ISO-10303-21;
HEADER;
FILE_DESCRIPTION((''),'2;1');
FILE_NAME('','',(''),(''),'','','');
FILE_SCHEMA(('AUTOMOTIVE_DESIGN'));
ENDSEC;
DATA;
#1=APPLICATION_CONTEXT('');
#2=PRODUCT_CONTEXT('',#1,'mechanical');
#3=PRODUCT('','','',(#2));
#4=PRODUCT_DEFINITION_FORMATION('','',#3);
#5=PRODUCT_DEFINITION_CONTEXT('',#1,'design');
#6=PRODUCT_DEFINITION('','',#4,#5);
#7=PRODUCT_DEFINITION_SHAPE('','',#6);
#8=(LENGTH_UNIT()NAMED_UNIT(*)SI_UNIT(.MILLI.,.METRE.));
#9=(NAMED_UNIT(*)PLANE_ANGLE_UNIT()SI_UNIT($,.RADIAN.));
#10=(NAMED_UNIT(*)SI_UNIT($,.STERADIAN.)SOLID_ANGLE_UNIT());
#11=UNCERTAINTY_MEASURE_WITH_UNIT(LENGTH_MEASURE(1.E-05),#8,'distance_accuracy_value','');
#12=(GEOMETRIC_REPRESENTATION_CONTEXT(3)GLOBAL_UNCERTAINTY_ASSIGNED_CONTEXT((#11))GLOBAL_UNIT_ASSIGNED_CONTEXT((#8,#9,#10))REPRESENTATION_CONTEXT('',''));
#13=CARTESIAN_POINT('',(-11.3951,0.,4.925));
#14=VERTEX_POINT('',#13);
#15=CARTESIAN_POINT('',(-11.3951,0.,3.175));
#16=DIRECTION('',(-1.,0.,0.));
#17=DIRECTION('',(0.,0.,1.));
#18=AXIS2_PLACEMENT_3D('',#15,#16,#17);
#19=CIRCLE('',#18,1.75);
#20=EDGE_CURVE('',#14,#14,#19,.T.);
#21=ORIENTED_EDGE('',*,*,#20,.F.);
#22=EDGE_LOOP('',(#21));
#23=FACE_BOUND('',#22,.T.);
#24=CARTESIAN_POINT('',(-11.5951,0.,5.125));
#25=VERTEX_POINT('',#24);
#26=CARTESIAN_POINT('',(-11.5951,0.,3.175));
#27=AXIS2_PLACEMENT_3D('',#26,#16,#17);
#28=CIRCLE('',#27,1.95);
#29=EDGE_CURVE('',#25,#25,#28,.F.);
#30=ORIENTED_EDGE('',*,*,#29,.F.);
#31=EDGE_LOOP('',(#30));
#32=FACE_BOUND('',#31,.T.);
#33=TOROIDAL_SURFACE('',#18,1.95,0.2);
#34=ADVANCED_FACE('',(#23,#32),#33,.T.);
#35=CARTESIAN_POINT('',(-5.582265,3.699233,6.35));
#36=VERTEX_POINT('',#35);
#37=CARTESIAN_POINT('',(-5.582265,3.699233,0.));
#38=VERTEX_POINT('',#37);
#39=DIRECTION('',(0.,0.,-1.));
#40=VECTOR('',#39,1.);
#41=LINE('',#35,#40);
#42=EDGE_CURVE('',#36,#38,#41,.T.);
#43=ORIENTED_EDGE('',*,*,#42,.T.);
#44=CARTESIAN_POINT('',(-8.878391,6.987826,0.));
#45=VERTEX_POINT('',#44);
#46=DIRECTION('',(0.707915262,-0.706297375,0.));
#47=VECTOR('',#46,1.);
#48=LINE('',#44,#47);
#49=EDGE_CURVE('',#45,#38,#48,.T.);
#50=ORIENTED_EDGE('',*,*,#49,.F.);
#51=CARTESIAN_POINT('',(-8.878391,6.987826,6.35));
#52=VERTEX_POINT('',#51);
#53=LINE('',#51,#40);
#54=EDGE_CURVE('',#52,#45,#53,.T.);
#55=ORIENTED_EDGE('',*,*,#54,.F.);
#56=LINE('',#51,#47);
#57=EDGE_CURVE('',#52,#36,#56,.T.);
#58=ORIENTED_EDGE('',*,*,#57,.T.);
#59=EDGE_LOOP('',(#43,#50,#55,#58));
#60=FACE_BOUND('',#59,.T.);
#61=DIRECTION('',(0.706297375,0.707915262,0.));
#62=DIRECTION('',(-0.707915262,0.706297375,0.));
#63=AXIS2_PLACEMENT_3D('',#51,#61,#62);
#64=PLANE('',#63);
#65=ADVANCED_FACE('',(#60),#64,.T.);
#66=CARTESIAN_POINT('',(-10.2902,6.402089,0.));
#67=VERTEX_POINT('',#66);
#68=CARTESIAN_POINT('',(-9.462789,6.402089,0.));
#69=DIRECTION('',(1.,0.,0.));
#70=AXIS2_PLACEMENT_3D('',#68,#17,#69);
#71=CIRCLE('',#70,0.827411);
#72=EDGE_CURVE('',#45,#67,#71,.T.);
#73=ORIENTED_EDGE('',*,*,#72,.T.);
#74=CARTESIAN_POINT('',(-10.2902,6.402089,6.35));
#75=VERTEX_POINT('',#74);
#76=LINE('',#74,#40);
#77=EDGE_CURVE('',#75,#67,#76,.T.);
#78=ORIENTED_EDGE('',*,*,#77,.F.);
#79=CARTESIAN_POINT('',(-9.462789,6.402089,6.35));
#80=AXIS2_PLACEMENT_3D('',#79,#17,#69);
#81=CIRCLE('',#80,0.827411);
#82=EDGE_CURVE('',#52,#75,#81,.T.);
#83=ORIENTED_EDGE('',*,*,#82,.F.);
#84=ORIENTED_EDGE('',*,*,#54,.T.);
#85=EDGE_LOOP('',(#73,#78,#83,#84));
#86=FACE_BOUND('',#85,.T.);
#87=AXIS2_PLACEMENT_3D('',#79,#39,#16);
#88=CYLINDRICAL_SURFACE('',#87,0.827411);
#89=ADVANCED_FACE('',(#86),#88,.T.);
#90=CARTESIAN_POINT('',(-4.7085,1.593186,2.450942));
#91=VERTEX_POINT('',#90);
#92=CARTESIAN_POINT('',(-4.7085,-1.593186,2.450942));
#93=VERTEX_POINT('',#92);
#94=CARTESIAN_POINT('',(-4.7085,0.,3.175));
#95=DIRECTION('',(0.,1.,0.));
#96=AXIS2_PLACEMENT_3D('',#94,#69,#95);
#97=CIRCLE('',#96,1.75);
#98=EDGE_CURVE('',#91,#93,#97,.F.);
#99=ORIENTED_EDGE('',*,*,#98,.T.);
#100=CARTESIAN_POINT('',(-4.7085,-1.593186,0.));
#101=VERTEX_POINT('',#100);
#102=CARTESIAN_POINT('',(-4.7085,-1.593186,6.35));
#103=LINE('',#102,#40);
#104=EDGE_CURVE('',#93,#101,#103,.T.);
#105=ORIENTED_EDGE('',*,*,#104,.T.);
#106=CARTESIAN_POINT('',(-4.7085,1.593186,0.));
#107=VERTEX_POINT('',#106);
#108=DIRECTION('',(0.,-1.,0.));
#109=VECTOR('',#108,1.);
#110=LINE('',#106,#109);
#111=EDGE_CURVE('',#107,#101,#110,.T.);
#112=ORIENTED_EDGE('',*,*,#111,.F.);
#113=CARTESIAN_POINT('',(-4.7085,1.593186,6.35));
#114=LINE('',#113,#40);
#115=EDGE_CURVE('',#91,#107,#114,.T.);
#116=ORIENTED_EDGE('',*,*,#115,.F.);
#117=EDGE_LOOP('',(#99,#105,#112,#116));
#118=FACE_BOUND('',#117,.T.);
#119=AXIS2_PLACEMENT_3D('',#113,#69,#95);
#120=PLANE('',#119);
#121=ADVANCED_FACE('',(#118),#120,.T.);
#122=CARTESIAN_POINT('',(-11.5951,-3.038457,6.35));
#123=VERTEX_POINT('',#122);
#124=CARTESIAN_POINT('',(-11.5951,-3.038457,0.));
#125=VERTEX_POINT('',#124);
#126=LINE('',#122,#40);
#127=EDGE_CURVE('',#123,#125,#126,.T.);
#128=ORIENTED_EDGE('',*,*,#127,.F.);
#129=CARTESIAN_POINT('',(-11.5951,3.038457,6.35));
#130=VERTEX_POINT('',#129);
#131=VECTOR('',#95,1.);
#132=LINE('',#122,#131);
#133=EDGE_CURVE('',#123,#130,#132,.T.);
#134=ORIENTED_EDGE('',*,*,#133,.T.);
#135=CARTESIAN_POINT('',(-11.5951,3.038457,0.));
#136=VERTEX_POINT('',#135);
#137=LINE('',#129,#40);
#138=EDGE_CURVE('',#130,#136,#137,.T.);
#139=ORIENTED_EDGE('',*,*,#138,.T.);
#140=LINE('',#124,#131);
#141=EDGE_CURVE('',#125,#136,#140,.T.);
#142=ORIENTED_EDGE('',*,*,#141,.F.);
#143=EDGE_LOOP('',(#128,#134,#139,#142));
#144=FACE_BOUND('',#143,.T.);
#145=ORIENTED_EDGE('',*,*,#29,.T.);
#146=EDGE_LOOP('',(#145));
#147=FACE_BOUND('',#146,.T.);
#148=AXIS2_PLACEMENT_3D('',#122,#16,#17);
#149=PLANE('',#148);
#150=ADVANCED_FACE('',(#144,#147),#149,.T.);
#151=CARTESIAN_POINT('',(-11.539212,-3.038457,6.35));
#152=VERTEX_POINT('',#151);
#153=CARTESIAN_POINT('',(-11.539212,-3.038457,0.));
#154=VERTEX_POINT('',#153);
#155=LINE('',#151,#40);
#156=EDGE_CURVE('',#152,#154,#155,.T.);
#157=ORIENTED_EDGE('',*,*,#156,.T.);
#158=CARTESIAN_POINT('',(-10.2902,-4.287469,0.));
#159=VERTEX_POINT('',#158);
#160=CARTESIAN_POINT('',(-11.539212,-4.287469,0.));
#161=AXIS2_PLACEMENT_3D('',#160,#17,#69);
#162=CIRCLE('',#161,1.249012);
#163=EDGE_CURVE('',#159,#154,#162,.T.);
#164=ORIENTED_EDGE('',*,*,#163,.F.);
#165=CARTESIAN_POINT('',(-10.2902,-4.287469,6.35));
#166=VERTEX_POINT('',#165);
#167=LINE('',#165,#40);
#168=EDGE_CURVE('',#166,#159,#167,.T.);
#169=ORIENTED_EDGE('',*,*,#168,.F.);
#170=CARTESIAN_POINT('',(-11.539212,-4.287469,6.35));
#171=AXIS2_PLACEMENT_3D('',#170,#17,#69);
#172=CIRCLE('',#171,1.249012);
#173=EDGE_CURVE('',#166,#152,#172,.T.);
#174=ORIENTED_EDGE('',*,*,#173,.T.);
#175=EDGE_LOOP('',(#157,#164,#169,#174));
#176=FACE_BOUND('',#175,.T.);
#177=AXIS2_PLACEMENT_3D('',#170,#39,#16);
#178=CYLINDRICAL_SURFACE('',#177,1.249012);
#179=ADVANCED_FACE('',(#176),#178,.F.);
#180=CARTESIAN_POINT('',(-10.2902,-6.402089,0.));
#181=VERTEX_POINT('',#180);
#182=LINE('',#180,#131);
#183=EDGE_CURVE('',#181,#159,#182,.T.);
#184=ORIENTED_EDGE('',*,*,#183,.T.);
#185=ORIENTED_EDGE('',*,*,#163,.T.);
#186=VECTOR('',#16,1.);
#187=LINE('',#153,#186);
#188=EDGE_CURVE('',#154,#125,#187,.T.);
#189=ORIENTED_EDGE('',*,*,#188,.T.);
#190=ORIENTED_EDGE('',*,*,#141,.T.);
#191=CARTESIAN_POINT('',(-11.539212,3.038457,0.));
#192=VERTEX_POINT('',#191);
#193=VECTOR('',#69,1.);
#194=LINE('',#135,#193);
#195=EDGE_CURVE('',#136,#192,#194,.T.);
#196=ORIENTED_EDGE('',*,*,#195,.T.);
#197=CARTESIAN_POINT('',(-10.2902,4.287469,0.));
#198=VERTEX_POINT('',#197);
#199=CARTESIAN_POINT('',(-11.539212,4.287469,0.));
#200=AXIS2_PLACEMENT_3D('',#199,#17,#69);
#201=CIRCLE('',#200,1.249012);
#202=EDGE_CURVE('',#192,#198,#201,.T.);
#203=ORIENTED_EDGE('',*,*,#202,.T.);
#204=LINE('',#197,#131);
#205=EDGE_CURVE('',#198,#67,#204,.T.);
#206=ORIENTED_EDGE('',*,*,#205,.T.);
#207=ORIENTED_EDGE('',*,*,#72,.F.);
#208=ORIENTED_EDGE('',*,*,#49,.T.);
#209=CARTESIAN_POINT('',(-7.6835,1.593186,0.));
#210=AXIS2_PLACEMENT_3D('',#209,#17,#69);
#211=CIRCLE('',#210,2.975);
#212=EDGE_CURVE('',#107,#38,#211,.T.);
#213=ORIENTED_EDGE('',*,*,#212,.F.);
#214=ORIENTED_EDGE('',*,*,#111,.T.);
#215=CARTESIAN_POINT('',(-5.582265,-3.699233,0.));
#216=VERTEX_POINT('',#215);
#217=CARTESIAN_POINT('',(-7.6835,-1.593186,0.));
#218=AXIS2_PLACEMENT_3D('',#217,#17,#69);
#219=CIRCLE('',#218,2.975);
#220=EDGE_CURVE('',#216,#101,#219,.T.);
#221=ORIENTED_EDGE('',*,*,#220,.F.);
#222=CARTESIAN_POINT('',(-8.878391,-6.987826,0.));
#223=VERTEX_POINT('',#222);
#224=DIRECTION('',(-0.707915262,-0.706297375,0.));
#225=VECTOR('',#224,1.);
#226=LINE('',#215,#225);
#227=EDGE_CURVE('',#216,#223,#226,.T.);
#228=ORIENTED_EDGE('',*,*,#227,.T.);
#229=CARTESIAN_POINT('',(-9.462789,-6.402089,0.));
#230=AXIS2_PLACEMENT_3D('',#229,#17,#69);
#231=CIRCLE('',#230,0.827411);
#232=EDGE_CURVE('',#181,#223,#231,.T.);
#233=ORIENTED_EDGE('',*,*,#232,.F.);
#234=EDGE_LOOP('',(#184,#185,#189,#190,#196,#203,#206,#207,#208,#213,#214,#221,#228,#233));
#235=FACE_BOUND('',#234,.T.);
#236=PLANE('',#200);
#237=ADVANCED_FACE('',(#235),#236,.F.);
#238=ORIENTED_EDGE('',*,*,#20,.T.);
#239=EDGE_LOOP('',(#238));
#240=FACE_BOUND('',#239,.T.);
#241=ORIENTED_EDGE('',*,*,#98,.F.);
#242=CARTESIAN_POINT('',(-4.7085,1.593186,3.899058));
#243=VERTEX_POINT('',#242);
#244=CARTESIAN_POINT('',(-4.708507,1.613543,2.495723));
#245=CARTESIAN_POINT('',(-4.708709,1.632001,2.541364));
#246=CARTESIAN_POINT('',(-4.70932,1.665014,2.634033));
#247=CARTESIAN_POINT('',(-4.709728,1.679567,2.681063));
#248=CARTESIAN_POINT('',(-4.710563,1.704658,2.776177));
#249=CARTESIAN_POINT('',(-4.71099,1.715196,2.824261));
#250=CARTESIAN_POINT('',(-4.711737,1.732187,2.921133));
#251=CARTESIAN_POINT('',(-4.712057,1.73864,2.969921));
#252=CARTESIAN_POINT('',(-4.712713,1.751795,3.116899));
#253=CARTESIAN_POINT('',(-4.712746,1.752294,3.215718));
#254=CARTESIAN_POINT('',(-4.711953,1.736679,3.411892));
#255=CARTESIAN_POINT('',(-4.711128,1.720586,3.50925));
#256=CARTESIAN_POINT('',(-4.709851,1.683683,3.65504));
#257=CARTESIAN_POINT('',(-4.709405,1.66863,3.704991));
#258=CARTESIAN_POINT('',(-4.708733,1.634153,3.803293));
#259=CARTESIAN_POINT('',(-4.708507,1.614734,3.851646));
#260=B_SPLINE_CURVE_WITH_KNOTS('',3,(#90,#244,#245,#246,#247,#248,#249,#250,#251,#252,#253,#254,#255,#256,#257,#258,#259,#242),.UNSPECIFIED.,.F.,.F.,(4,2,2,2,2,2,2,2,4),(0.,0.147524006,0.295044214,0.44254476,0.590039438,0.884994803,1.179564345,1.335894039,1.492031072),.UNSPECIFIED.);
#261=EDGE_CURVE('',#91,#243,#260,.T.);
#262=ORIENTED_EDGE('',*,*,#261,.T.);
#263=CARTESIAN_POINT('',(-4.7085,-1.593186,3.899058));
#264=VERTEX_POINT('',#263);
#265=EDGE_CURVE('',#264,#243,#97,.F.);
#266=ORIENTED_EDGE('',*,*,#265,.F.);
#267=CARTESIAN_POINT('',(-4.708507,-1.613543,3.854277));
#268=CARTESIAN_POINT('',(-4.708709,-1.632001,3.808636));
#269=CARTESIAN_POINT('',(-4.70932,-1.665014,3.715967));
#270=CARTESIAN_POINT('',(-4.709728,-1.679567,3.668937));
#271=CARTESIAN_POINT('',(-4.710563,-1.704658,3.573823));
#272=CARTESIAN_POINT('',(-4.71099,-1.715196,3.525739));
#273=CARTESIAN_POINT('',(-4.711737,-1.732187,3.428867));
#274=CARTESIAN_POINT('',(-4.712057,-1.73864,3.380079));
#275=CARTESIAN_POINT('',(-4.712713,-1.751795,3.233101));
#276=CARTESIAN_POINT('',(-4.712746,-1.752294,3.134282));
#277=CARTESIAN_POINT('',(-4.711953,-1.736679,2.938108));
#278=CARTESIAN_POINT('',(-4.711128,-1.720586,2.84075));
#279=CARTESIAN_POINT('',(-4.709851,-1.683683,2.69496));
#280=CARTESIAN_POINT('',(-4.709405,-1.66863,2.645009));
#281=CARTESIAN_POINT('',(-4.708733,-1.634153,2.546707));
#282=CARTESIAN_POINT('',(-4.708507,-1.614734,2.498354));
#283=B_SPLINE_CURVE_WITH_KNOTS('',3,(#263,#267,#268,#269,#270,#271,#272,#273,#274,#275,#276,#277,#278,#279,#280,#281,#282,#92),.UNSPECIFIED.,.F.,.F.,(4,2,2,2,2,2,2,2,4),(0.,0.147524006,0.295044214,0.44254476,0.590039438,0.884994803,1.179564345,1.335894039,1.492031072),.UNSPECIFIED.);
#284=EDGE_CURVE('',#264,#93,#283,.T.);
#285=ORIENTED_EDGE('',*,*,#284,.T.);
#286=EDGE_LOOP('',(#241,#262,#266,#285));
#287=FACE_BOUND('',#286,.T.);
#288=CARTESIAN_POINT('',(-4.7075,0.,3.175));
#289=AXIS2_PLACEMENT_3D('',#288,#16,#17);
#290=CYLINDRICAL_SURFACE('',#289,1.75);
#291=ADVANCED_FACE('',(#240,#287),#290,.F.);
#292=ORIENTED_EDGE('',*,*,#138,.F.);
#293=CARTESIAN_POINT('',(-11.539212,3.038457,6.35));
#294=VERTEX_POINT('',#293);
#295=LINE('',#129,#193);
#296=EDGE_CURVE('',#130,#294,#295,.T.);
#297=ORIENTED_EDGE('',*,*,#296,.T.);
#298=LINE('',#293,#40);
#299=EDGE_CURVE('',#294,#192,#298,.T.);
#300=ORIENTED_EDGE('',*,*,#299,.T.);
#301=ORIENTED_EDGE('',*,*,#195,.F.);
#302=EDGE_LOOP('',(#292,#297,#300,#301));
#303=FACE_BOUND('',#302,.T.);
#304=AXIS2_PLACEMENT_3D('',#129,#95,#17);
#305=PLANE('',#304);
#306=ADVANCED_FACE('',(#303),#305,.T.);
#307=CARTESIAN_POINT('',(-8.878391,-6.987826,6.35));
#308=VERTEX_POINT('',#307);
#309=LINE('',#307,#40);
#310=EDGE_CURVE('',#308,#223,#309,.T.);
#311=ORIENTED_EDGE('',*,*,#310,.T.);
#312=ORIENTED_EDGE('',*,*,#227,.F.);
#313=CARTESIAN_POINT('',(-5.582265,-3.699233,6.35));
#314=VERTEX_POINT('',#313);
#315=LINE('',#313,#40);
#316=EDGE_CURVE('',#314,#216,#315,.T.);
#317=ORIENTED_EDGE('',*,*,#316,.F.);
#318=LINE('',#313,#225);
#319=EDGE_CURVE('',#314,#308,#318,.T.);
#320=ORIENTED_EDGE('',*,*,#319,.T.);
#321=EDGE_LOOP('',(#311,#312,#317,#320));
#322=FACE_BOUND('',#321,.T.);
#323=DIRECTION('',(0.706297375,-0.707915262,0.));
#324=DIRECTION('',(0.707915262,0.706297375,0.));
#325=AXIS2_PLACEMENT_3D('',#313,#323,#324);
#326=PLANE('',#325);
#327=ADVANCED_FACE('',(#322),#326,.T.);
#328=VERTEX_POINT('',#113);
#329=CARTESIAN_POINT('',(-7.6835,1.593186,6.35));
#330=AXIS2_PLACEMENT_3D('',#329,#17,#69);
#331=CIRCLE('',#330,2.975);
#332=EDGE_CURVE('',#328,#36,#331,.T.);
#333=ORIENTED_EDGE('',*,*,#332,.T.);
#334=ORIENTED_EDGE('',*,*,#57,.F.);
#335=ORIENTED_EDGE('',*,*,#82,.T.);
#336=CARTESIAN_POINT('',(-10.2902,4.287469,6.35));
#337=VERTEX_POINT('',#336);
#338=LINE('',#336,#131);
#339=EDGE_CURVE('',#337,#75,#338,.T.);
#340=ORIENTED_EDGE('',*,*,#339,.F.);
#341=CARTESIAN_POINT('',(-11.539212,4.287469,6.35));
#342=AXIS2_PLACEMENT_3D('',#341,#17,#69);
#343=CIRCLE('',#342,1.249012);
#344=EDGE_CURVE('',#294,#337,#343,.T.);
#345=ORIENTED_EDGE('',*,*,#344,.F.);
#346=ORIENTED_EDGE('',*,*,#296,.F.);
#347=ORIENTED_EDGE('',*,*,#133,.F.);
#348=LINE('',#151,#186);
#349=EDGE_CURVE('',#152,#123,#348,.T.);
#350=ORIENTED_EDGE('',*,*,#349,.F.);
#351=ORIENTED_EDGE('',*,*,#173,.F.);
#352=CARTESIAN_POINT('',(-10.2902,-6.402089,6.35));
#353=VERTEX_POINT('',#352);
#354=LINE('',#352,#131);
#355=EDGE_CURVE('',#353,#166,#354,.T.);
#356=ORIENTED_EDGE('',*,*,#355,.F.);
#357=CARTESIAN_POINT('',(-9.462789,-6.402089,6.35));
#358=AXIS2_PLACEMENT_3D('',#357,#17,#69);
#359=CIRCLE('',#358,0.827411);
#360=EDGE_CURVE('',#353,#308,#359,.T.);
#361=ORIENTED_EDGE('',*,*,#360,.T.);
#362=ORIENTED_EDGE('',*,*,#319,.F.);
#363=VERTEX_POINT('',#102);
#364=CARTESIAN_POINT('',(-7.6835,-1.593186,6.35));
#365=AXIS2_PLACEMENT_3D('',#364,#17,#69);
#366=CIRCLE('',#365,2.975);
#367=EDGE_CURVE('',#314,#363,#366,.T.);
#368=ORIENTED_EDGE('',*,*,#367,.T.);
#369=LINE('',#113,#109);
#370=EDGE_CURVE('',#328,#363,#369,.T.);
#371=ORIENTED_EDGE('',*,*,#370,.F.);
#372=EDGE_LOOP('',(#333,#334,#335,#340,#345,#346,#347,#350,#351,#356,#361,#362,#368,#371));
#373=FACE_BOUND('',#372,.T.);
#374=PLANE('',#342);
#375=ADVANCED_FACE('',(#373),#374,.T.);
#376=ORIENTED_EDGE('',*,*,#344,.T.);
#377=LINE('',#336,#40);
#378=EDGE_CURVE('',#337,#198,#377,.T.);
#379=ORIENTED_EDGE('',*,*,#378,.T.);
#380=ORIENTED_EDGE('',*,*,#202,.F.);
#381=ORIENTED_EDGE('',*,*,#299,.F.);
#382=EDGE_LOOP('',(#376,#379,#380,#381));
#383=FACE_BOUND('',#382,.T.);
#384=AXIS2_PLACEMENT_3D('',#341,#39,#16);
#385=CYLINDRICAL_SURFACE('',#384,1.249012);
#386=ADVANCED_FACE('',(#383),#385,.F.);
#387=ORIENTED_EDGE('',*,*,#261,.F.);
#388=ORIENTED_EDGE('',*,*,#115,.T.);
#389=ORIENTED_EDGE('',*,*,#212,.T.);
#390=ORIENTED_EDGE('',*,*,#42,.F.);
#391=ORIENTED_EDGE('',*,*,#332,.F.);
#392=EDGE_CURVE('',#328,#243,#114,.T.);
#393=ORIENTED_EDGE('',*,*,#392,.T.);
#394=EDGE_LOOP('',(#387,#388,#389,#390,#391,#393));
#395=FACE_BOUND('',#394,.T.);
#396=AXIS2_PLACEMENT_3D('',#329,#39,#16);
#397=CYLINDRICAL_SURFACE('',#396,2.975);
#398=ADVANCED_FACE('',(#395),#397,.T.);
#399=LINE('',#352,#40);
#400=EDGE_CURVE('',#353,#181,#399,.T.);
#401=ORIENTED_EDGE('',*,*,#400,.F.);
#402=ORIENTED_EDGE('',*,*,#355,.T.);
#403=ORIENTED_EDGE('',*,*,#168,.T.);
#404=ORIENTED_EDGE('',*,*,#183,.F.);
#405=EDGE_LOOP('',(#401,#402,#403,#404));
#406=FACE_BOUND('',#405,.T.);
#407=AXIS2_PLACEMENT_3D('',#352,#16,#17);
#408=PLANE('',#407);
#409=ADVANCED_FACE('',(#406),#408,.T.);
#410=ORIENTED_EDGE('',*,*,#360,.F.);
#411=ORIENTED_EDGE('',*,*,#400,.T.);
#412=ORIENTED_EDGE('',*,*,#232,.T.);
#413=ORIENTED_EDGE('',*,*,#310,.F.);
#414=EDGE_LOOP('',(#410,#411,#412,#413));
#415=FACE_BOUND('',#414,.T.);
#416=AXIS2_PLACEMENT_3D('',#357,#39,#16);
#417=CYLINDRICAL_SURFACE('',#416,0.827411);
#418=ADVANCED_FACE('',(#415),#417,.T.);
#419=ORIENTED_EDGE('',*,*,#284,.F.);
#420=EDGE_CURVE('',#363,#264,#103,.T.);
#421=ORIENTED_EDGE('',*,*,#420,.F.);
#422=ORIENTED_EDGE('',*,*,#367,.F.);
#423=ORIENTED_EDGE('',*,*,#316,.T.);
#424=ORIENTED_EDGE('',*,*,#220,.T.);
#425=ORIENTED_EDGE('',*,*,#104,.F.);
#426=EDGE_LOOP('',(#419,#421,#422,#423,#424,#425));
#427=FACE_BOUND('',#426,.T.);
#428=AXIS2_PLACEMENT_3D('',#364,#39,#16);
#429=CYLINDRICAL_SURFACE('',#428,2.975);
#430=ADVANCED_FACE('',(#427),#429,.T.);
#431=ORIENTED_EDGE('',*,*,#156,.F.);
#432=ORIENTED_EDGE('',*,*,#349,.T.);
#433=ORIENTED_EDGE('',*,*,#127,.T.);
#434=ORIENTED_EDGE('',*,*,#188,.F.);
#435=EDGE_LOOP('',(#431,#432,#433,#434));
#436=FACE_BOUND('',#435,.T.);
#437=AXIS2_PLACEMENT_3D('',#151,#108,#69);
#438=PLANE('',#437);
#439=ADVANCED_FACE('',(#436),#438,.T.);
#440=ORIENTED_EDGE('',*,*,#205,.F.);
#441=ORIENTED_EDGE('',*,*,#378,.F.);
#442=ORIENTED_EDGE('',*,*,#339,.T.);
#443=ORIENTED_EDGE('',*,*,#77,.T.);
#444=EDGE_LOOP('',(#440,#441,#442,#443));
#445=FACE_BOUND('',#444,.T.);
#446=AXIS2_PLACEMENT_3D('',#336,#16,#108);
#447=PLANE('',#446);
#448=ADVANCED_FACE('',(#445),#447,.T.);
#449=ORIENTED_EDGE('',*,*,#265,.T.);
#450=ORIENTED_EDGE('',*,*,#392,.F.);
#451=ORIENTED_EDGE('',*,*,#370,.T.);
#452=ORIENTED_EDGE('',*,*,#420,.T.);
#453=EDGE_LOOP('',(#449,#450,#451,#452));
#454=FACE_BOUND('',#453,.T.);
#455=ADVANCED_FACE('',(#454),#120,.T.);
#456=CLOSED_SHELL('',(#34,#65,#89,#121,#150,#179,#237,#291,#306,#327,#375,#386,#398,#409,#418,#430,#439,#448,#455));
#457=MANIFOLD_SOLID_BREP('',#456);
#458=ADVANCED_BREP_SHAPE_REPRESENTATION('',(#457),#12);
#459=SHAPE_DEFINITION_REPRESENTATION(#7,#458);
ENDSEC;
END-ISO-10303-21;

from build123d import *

# Parameters (mm, degrees)
BOSS_EXTRUDE1_DEPTH = 6.35
CUT_EXTRUDE1_REACH  = 13.833
SKETCH2_R           = 1.75
FILLET1_R           = 0.2


with BuildPart() as part:
    # Sketch1 → Boss-Extrude1 (new body)
    with BuildSketch(Plane.XY):
        with BuildLine():
            Line((-11.5951, -3.038456882), (-11.5951, 3.038456882))
            Line((-11.5951, 3.038456882), (-11.539212407, 3.038456882))
            ThreePointArc((-11.539212407, 3.038456882), (-10.656027264, 3.404284146), (-10.2902, 4.287469289))
            Line((-10.2902, 4.287469289), (-10.2902, 6.402089023))
            ThreePointArc((-10.2902, 6.402089023), (-9.779862704, 7.166335846), (-8.878390822, 6.987825881))
            Line((-8.878390822, 6.987825881), (-5.582265308, 3.69923341))
            ThreePointArc((-5.582265308, 3.69923341), (-4.935610063, 2.733240723), (-4.7085, 1.593185507))
            Line((-4.7085, 1.593185507), (-4.7085, -1.593185507))
            ThreePointArc((-4.7085, -1.593185507), (-4.935610063, -2.733240723), (-5.582265308, -3.69923341))
            Line((-5.582265308, -3.69923341), (-8.878390822, -6.987825881))
            ThreePointArc((-8.878390822, -6.987825881), (-9.779862704, -7.166335846), (-10.2902, -6.402089023))
            Line((-10.2902, -6.402089023), (-10.2902, -4.287469289))
            ThreePointArc((-10.2902, -4.287469289), (-10.656027264, -3.404284146), (-11.539212407, -3.038456882))
            Line((-11.539212407, -3.038456882), (-11.5951, -3.038456882))
        make_face()
    extrude(amount=BOSS_EXTRUDE1_DEPTH)

    # Sketch2 → Cut-Extrude1 (cut, up to next)
    with BuildSketch(Plane.ZY.offset(11.5951), mode=Mode.PRIVATE) as cut_extrude1_sk1:
        with Locations((3.175, 0)):
            Circle(SKETCH2_R)
    cut_extrude1_tool1 = extrude(cut_extrude1_sk1.sketch, amount=-CUT_EXTRUDE1_REACH, mode=Mode.PRIVATE) & part.part
    add(cut_extrude1_tool1.solids().sort_by_distance((-11.5951, 0, 3.175))[0], mode=Mode.SUBTRACT)

    # Fillet1
    fillet1_edges = [part.edges().sort_by_distance(p)[0] for p in [
        (-11.5951, 0, 1.425),
    ]]
    fillet(fillet1_edges, radius=FILLET1_R)


solid = part.part
